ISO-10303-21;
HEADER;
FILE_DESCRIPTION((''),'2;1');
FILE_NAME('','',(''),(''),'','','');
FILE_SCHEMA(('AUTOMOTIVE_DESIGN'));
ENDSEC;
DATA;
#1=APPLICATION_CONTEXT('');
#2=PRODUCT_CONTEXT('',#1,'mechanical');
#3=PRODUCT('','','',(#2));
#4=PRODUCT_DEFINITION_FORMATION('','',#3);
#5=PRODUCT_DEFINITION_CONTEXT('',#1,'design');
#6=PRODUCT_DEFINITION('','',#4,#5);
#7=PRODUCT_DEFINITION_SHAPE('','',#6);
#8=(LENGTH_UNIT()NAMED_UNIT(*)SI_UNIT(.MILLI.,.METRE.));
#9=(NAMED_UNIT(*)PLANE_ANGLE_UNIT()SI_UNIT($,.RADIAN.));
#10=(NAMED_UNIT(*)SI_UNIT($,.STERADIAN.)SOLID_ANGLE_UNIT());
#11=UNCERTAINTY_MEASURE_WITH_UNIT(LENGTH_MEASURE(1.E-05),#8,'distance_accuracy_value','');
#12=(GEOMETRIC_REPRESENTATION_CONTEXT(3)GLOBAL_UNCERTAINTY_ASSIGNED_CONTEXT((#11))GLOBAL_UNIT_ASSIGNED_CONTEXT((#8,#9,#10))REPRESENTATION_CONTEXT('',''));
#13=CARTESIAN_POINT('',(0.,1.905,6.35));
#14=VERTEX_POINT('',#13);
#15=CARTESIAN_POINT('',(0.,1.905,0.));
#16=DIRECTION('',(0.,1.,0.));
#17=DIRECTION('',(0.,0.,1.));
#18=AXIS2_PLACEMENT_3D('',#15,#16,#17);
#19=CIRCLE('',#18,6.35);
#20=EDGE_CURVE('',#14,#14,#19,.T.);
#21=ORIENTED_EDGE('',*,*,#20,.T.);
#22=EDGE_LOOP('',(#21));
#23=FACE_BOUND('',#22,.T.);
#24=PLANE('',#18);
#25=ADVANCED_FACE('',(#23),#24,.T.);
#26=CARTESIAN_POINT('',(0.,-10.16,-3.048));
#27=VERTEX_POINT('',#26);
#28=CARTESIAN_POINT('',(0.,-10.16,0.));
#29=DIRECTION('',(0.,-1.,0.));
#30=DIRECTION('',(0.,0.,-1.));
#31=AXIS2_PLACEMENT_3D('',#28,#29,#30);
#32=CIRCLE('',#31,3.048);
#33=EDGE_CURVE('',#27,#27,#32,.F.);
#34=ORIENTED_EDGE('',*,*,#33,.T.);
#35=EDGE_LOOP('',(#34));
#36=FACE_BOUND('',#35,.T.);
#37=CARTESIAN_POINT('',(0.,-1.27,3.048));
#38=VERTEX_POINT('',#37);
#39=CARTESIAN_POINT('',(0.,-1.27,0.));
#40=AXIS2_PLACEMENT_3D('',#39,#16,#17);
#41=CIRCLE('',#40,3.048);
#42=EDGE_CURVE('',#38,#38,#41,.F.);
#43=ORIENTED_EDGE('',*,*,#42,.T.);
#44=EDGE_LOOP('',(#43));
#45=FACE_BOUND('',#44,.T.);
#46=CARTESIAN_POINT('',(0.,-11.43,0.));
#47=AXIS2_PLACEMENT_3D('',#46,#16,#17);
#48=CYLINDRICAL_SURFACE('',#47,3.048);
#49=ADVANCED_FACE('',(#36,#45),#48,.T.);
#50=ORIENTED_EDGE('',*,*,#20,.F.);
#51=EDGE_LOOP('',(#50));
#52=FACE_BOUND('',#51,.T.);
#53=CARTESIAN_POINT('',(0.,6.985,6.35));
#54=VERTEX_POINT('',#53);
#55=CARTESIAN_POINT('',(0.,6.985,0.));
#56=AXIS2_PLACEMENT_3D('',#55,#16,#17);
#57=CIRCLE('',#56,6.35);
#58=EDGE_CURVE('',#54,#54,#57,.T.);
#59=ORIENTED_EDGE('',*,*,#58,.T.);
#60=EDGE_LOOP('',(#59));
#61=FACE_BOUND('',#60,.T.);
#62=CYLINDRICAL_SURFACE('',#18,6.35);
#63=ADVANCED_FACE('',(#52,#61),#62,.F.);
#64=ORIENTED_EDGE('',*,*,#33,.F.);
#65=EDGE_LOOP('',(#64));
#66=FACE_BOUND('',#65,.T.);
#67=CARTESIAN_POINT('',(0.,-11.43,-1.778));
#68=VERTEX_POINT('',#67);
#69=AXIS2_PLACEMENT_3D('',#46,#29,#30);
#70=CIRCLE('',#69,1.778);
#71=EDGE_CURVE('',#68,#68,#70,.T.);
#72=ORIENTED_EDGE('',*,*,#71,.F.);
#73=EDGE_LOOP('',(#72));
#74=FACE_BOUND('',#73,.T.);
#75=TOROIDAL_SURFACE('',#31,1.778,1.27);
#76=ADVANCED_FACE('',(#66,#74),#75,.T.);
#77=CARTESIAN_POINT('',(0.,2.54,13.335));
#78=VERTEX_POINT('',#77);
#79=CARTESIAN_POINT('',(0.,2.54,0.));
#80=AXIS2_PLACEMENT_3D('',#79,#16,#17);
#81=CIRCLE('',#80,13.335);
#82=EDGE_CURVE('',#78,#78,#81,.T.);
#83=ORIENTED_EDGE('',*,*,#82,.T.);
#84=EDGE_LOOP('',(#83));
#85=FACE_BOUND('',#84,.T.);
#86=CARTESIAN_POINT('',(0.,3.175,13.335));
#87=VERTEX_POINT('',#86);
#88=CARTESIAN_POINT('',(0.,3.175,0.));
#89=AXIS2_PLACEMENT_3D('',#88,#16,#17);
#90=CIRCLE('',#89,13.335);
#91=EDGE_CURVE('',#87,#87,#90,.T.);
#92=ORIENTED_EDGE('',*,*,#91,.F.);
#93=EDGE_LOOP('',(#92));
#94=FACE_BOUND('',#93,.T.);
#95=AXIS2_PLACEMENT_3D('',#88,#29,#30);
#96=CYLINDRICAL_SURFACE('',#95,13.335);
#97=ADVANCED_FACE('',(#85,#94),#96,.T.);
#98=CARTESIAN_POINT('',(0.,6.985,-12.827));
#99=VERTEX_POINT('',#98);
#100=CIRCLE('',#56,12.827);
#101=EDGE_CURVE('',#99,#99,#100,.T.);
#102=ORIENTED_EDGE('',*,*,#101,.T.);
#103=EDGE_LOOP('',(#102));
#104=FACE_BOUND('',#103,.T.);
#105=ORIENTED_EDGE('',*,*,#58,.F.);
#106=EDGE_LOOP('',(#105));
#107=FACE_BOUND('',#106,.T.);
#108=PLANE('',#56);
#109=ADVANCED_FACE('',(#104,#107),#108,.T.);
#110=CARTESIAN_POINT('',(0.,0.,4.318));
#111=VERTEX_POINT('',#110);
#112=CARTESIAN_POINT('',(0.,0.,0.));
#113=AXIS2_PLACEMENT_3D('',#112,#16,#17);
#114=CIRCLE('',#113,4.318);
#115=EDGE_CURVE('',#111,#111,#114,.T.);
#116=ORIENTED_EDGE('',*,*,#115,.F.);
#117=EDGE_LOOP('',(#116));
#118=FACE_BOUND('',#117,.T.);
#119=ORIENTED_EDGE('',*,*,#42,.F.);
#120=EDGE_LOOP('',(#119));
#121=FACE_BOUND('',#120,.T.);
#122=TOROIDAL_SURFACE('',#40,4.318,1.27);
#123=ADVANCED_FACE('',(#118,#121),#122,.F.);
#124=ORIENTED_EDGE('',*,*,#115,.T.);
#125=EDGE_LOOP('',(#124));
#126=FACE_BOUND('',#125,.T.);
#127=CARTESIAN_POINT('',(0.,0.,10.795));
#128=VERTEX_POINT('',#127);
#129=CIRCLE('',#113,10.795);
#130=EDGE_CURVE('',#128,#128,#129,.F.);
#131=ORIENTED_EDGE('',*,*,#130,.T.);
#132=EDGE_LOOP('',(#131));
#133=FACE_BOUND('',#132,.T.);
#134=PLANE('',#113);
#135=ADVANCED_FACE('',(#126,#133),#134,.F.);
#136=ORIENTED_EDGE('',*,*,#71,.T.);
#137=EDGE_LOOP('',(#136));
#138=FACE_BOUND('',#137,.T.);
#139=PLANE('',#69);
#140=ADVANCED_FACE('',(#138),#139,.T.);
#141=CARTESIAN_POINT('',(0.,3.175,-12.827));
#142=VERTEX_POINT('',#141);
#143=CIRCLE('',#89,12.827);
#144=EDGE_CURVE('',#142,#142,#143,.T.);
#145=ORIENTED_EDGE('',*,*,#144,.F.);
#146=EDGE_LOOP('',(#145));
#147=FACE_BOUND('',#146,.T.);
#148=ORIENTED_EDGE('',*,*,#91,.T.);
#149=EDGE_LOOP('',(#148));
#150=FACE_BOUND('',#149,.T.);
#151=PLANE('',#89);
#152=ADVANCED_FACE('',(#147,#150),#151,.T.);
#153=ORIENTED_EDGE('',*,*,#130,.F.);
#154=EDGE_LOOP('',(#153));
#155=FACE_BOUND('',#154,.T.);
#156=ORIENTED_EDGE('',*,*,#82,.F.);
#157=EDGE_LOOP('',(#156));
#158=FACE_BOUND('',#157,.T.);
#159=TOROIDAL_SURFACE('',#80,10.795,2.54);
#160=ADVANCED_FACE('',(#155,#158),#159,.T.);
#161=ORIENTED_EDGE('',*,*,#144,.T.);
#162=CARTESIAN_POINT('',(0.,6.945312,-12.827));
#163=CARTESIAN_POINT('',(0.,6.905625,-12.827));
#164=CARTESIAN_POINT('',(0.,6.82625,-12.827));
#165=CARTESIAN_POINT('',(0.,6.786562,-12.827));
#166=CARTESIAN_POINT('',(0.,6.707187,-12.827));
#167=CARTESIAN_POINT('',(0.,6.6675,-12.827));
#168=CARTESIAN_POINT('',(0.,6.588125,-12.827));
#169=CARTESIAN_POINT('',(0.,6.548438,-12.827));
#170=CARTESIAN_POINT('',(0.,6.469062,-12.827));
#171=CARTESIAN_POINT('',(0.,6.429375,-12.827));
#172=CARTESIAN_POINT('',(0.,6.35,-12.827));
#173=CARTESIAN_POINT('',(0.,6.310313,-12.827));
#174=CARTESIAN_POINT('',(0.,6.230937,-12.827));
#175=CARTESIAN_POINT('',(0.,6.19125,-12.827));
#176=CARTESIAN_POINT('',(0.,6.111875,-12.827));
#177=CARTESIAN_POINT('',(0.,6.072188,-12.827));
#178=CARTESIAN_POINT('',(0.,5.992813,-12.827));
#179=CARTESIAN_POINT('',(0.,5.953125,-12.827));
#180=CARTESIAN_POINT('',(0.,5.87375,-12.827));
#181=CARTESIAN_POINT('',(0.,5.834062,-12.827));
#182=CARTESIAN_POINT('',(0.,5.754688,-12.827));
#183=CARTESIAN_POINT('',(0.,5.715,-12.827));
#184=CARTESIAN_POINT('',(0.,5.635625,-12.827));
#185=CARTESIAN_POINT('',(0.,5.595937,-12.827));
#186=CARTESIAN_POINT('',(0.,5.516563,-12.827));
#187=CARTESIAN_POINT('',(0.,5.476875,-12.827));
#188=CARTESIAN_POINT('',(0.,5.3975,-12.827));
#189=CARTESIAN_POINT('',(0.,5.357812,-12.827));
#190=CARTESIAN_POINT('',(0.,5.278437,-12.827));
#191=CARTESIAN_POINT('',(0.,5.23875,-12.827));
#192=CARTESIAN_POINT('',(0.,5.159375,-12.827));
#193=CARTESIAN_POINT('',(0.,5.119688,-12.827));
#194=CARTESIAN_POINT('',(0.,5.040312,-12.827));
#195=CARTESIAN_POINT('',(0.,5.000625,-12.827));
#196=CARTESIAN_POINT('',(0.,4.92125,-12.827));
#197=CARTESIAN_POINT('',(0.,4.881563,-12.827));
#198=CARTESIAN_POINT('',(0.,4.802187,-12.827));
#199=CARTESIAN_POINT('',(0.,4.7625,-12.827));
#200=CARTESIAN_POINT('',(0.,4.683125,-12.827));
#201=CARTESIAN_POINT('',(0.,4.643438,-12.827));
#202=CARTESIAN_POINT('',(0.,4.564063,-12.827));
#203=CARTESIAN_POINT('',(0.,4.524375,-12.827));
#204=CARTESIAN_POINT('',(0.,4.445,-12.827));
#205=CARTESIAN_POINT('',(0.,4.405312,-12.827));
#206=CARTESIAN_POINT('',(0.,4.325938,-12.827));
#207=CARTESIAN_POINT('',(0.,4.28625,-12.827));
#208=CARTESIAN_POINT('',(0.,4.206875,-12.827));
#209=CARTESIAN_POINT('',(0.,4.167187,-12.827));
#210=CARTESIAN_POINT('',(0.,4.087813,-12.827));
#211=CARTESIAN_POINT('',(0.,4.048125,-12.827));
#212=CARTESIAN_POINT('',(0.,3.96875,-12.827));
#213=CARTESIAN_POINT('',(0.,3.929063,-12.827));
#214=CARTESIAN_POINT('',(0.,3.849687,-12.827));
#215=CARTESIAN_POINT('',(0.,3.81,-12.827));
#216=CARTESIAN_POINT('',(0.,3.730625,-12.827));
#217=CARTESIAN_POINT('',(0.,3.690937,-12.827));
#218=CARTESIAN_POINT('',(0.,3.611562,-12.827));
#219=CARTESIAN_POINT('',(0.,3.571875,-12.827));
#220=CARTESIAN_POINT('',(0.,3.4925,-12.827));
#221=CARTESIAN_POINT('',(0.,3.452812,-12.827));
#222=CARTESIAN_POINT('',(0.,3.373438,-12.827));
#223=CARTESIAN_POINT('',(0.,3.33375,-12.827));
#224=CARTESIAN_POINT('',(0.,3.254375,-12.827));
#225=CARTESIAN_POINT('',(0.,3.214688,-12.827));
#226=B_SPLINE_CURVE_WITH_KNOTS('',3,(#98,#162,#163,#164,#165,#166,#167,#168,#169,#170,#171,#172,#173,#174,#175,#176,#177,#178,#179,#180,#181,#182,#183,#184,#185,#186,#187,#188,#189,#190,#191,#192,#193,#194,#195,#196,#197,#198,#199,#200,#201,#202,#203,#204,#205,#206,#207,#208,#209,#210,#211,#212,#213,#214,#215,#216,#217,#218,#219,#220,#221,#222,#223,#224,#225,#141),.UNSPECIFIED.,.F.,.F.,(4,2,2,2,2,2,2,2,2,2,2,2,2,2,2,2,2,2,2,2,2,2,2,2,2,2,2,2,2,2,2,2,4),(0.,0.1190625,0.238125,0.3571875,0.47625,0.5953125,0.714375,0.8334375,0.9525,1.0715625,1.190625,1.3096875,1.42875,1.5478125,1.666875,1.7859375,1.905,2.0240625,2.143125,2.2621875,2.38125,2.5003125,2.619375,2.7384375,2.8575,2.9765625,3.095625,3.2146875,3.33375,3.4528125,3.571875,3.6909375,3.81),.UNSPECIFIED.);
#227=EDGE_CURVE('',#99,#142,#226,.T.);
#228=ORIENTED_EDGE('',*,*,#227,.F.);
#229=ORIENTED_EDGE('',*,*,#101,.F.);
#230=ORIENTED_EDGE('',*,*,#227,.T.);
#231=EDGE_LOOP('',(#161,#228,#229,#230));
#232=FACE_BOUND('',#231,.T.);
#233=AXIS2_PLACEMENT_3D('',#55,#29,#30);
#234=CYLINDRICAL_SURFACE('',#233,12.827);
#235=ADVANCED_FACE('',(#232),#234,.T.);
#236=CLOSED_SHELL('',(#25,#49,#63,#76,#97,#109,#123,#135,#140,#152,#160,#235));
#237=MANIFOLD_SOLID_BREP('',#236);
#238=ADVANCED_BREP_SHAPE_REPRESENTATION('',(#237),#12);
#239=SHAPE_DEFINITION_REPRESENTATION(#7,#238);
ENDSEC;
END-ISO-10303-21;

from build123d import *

# Parameters (mm, degrees)
SKETCH1_R           = 13.335
BOSS_EXTRUDE1_DEPTH = 3.175
SKETCH2_R           = 12.827
BOSS_EXTRUDE2_DEPTH = 3.81
SKETCH3_R           = 6.35
CUT_EXTRUDE2_DEPTH  = 5.08
FILLET1_R           = 2.54
SKETCH5_R           = 3.048
BOSS_EXTRUDE3_DEPTH = 11.43
FILLET2_R           = 1.27
FILLET3_R           = 1.27


with BuildPart() as part:
    # Sketch1 → Boss-Extrude1 (new body)
    with BuildSketch(Plane(origin=(0, 0, 0), x_dir=(1, 0, 0), z_dir=(0, 1, 0))):
        Circle(SKETCH1_R)
    extrude(amount=BOSS_EXTRUDE1_DEPTH)

    # Sketch2 → Boss-Extrude2 (add)
    with BuildSketch(Plane(origin=(0, 3.175, 0), x_dir=(1, 0, 0), z_dir=(0, 1, 0))):
        Circle(SKETCH2_R)
    extrude(amount=BOSS_EXTRUDE2_DEPTH)

    # Sketch3 → Cut-Extrude2 (cut)
    with BuildSketch(Plane(origin=(0, 6.985, 0), x_dir=(1, 0, 0), z_dir=(0, 1, 0))):
        Circle(SKETCH3_R)
    extrude(amount=-CUT_EXTRUDE2_DEPTH, mode=Mode.SUBTRACT)

    # Fillet1
    fillet1_edges = [part.edges().sort_by_distance(p)[0] for p in [
        (-13.335, 0, 0),
    ]]
    fillet(fillet1_edges, radius=FILLET1_R)

    # Sketch5 → Boss-Extrude3 (add)
    with BuildSketch(Plane.XZ):
        Circle(SKETCH5_R)
    extrude(amount=BOSS_EXTRUDE3_DEPTH)

    # Fillet2
    fillet2_edges = [part.edges().sort_by_distance(p)[0] for p in [
        (-3.048, -11.43, 0),
    ]]
    fillet(fillet2_edges, radius=FILLET2_R)

    # Fillet3
    fillet3_edges = [part.edges().sort_by_distance(p)[0] for p in [
        (-3.048, 0, 0),
    ]]
    fillet(fillet3_edges, radius=FILLET3_R)


solid = part.part
